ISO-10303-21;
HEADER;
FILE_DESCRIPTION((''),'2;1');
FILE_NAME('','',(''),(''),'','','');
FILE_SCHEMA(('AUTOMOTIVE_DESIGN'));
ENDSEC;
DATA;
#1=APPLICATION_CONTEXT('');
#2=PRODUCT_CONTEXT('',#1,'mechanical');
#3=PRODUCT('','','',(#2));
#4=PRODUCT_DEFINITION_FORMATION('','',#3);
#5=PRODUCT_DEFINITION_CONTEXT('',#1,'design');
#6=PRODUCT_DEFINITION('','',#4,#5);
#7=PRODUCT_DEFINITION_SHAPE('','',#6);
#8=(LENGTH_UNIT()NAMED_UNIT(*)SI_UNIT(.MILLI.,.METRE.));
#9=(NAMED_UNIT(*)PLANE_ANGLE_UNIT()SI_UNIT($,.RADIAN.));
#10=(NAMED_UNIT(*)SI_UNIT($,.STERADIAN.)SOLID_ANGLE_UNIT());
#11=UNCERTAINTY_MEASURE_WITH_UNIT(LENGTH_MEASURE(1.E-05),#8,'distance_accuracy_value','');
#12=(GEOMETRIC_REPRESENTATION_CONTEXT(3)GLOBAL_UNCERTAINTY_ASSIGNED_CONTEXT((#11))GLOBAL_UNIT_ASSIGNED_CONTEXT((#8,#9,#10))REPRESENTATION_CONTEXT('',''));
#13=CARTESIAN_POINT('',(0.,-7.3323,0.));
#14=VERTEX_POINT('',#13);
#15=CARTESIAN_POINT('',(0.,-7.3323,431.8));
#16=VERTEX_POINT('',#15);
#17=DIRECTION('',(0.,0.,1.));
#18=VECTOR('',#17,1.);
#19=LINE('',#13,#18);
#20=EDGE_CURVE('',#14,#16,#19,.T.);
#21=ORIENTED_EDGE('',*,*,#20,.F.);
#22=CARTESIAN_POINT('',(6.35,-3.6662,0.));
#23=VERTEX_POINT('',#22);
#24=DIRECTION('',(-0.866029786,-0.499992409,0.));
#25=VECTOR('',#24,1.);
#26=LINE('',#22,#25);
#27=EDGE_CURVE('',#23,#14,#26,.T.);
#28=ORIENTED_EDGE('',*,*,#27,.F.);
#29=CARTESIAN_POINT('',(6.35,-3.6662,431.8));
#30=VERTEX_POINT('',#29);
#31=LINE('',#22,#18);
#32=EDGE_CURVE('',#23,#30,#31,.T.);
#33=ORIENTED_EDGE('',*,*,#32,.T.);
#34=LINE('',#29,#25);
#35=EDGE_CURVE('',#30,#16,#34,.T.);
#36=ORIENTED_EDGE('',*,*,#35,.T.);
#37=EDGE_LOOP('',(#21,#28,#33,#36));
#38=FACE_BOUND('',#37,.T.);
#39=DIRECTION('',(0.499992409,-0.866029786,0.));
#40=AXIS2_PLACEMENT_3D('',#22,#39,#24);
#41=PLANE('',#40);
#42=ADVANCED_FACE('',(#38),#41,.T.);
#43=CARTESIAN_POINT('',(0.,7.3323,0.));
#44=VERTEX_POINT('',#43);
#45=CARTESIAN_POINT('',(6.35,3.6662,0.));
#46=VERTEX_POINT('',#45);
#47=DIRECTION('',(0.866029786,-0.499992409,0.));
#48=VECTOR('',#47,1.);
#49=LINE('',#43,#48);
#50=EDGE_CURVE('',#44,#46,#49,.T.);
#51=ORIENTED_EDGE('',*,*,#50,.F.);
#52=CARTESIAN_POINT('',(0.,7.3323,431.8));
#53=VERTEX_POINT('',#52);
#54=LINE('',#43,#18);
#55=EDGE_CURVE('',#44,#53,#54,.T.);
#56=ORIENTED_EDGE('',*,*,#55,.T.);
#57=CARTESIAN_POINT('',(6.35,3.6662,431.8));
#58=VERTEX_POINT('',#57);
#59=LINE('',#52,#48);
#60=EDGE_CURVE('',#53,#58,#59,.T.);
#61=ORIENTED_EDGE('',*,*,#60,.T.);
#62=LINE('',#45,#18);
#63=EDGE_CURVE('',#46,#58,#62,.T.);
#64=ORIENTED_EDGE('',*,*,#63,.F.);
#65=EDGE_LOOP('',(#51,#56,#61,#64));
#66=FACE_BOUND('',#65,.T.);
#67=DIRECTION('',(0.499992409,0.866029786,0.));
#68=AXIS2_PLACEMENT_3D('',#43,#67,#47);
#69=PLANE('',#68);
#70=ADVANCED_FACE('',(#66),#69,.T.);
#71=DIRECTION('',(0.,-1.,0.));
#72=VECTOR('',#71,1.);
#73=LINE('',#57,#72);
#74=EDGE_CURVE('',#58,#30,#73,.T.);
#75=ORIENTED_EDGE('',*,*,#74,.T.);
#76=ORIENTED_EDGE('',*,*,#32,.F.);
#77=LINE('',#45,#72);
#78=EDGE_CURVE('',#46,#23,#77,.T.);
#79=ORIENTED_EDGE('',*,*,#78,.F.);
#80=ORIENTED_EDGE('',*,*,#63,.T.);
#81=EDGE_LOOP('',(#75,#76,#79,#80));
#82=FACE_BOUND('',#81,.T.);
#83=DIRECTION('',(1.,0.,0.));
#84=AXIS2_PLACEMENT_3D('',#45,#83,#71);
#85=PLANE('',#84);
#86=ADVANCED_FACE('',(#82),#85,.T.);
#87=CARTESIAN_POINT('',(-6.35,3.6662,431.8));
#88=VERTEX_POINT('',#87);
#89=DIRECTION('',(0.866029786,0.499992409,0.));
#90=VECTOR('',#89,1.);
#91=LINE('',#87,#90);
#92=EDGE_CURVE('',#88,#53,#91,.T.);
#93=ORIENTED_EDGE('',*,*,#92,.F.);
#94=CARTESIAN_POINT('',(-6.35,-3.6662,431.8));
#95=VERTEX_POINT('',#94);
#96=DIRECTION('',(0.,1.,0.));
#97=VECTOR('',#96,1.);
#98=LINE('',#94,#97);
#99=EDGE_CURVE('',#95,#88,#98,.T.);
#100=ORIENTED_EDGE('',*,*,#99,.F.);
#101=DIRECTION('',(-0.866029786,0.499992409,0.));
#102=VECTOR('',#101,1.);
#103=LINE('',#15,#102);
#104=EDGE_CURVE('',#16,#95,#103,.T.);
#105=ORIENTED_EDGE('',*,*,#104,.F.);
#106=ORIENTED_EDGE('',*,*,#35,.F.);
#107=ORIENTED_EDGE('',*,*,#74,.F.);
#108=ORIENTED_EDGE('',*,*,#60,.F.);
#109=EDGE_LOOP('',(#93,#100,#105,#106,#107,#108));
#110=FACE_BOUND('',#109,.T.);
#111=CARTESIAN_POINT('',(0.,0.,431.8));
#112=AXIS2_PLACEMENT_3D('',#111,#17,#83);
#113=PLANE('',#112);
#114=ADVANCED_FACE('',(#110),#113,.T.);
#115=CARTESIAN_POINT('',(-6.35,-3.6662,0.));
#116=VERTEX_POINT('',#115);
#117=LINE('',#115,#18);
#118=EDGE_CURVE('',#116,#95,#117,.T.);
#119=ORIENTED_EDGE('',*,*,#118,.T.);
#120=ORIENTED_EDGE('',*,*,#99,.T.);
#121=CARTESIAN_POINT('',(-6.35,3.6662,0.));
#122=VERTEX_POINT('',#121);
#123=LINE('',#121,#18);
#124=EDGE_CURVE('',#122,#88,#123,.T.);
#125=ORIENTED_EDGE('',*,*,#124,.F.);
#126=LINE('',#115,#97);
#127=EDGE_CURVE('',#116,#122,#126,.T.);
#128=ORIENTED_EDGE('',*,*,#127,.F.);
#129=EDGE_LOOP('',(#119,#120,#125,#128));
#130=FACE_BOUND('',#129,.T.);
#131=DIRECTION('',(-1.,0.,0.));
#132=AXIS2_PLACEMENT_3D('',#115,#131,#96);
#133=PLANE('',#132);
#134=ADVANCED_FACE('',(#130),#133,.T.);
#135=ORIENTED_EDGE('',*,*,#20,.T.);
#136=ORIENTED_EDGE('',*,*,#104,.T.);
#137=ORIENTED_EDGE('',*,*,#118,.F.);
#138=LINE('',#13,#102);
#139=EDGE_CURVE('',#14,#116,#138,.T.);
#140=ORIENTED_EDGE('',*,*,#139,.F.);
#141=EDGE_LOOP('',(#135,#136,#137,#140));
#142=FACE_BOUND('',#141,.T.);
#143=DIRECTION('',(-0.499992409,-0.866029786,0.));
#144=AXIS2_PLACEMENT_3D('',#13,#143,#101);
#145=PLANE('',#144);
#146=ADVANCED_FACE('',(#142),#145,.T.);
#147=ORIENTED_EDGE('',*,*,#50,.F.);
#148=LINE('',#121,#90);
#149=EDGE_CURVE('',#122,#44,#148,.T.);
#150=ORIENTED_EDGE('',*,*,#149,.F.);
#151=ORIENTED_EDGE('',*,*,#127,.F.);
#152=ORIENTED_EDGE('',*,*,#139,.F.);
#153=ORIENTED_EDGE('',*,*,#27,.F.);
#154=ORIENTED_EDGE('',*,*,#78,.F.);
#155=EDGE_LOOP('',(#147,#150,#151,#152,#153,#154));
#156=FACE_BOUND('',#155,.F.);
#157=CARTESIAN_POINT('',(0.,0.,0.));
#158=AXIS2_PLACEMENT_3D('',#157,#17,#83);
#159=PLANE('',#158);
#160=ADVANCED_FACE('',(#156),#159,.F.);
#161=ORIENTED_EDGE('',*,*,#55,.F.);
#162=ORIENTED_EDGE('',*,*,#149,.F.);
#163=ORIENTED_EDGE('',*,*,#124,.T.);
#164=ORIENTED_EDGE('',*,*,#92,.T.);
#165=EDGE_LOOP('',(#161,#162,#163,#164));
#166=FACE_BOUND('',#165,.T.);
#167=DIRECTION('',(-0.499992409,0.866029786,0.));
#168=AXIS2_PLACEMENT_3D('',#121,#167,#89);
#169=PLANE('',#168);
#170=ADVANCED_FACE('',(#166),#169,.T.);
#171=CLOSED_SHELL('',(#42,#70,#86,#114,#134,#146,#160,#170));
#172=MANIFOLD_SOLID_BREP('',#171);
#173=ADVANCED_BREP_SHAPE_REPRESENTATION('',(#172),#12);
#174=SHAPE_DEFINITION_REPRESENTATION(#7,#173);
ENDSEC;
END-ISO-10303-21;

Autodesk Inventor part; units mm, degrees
ref_plane "YZ Plane" through (0, 0, 0) normal (1, 0, 0) x (0, 1, 0)
ref_plane "XZ Plane" through (0, 0, 0) normal (0, 1, 0) x (-1, 0, 0)
ref_plane "XY Plane" through (0, 0, 0) normal (0, 0, 1) x (1, 0, 0)
sketch "Sketch1" plane through (0, 0, 0) normal (0, 0, 1) x (1, 0, 0)
  line L0 (6.35, 3.6662) -> (6.35, -3.6662)
  line L1 (6.35, -3.6662) -> (0, -7.3323)
  line L2 (0, -7.3323) -> (-6.35, -3.6662)
  line L3 (-6.35, -3.6662) -> (-6.35, 3.6662)
  line L4 (-6.35, 3.6662) -> (0, 7.3323)
  line L5 (0, 7.3323) -> (6.35, 3.6662)
  point P0 (0, 0)
  point P1 (0, 0)
  dimension "d0" = 12.7
extrude "Extrusion1" add sketch "Sketch1" along normal blind 431.8
properties part number "hex axle" material "Steel"
